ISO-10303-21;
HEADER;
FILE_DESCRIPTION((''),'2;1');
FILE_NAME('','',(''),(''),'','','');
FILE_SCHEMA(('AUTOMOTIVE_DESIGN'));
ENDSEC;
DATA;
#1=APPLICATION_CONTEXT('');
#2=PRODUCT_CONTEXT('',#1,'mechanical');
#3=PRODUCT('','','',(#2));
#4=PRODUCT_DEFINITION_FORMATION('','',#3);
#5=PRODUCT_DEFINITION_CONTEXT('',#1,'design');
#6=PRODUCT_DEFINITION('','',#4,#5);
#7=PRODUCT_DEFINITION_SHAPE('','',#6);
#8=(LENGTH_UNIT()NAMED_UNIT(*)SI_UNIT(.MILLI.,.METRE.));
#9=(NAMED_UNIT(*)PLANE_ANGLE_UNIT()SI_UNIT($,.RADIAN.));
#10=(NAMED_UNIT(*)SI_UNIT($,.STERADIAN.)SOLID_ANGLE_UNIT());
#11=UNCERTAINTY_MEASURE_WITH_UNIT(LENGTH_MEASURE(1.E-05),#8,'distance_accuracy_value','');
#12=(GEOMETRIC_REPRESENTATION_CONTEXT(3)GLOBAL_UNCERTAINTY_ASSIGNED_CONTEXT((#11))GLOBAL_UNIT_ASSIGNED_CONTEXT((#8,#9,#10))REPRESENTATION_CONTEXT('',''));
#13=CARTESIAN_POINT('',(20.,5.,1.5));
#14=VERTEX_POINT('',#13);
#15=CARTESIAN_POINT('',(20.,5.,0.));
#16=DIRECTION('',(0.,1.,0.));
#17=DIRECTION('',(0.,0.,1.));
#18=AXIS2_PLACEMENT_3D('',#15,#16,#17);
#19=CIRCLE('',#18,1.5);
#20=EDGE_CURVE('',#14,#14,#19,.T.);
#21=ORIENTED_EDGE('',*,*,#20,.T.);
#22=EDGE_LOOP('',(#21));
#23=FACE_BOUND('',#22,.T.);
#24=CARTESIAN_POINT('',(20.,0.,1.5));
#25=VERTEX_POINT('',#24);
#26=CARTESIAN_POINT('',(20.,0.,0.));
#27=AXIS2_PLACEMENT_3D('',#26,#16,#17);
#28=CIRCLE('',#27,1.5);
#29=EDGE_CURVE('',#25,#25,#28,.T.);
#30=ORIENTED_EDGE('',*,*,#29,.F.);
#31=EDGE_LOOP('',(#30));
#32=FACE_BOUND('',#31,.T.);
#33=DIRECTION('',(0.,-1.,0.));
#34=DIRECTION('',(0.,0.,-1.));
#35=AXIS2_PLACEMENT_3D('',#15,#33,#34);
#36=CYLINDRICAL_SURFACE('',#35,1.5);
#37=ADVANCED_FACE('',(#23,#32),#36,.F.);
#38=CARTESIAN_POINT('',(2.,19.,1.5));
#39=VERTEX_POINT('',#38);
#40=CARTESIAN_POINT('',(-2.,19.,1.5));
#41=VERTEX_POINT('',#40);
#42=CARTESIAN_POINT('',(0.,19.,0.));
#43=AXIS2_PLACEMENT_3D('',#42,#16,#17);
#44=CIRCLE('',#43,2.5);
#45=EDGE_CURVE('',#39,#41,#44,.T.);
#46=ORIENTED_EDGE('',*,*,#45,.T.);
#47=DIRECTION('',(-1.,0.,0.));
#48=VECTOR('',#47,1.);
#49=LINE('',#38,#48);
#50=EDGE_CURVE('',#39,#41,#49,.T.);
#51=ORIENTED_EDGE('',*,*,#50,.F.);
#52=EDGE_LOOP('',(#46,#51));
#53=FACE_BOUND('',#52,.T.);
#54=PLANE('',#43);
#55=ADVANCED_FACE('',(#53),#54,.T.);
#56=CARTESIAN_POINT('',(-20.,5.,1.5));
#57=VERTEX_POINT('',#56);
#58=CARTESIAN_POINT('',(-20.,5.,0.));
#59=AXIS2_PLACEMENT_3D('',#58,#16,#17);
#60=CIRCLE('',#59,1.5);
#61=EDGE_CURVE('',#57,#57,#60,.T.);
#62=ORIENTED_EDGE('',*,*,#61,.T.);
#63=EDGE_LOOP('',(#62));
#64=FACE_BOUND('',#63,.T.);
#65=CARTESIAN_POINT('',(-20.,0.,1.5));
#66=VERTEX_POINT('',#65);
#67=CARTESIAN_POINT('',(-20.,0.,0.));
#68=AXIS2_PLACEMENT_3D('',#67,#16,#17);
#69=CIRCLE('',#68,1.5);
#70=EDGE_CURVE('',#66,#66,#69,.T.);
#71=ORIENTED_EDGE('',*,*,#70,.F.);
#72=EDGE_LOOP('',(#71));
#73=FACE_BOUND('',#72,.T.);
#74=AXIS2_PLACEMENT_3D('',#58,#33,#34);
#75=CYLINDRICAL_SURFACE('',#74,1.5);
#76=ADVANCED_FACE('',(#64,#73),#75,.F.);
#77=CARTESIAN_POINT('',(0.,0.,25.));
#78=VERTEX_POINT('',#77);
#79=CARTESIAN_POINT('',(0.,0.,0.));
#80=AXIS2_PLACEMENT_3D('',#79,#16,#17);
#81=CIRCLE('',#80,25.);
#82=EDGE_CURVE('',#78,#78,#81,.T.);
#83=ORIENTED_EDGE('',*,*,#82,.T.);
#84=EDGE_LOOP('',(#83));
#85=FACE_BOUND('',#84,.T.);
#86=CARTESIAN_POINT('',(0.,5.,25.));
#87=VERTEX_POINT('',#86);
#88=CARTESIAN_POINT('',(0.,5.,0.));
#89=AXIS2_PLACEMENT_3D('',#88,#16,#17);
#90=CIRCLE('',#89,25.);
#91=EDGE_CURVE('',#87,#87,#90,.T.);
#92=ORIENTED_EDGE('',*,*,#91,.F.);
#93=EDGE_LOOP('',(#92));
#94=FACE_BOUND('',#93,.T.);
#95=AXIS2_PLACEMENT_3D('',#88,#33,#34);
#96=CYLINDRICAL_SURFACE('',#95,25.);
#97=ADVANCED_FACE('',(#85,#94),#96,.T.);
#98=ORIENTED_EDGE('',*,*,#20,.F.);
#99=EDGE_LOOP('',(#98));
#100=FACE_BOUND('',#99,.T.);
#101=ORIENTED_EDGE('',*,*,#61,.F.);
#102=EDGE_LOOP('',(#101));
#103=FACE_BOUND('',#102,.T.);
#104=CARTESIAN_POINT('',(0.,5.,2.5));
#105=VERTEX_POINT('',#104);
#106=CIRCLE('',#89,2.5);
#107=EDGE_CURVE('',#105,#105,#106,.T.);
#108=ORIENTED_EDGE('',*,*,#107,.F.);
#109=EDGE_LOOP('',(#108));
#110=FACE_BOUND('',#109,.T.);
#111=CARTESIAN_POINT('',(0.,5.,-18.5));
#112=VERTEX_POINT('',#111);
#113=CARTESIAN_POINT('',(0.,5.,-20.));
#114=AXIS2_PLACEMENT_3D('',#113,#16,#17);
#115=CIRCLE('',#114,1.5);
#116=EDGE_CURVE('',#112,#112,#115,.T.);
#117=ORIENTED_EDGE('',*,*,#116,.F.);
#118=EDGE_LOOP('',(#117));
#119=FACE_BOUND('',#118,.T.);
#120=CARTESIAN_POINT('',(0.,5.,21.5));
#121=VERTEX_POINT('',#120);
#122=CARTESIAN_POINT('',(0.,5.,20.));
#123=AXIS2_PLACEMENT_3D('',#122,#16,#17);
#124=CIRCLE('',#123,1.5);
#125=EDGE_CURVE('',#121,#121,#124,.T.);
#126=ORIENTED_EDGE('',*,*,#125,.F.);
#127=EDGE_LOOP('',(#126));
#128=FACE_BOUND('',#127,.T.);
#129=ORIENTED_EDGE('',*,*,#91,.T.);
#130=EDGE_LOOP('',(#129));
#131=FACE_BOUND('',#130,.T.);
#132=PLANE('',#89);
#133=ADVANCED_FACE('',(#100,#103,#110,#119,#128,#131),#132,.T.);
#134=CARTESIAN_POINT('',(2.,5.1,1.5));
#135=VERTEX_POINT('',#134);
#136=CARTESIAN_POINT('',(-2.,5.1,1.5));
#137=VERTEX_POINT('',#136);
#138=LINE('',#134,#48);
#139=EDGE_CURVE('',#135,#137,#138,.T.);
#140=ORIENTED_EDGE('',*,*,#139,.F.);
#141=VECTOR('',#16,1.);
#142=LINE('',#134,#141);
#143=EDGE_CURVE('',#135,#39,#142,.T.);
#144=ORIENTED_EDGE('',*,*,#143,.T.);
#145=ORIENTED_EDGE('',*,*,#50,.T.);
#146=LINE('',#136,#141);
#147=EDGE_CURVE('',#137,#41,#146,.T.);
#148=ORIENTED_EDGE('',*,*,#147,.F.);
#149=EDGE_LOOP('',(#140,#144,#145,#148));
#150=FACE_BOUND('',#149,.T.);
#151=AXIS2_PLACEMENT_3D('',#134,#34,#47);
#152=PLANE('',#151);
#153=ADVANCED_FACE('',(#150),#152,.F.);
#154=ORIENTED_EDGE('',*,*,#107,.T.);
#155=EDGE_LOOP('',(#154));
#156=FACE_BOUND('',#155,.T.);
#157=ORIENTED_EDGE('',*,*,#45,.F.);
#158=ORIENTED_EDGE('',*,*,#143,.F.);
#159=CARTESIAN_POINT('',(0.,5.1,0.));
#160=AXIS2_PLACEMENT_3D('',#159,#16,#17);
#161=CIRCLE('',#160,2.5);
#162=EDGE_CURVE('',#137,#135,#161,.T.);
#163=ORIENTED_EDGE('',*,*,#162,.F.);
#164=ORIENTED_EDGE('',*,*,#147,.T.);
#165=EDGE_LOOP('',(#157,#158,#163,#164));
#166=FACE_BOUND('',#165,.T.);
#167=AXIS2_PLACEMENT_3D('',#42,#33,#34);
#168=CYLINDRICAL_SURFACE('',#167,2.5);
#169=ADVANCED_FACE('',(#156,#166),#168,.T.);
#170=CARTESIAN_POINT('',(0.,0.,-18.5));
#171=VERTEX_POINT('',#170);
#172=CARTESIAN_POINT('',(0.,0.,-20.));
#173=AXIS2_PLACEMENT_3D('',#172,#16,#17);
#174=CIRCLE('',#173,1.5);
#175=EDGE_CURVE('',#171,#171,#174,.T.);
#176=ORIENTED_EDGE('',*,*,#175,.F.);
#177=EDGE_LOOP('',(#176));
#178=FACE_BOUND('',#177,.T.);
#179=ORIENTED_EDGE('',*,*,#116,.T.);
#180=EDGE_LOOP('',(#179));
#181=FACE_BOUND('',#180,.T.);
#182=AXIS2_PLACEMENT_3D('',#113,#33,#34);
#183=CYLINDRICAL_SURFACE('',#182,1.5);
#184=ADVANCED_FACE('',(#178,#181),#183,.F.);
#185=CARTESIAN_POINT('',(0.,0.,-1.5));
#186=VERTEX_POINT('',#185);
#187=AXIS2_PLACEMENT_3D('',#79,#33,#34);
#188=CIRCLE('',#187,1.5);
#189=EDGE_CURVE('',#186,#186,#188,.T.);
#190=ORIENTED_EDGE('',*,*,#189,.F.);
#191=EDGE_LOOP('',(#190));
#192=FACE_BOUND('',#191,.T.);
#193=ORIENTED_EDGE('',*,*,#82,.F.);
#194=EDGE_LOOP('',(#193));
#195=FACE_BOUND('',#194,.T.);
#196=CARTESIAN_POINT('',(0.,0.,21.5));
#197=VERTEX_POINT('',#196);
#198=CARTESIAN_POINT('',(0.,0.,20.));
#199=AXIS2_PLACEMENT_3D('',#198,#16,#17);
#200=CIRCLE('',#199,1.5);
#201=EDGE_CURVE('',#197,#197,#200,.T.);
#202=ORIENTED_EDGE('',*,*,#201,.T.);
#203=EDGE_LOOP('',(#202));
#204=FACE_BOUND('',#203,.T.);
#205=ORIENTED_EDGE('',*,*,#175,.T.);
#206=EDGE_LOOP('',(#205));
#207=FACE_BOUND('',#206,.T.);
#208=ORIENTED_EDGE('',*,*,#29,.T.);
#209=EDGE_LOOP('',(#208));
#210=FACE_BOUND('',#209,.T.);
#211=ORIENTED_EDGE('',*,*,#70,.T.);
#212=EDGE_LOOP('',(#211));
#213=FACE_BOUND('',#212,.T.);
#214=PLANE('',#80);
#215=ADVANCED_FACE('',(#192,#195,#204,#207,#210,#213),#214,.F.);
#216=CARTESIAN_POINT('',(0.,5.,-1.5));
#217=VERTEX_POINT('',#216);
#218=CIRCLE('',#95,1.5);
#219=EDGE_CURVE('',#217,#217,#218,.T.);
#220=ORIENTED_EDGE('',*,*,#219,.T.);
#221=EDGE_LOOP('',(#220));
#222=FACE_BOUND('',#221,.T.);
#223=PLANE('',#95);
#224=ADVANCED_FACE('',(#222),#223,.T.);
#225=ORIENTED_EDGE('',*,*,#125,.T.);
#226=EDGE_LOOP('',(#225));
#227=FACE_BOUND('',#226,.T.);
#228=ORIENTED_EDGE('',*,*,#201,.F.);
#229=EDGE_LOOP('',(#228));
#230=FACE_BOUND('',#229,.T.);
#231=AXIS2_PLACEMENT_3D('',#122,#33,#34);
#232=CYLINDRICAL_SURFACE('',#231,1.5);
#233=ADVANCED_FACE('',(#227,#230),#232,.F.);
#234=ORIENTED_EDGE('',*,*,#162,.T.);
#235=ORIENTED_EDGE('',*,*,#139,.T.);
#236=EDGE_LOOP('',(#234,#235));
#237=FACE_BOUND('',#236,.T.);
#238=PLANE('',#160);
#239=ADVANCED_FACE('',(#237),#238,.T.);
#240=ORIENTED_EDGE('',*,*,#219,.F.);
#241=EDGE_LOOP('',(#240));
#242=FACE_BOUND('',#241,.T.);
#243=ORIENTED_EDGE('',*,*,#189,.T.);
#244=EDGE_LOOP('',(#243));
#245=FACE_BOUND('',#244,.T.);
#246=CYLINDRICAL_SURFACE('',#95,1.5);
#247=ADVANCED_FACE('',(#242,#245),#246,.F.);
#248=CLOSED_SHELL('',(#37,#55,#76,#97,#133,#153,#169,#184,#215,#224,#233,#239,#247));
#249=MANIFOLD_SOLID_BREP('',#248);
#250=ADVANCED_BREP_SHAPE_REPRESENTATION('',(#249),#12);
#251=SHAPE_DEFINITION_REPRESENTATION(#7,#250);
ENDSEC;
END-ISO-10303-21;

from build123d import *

# Parameters (mm, degrees)
SKETCH1_R           = 25
SKETCH1_R_2         = 1.5
BOSS_EXTRUDE1_DEPTH = 5
SKETCH2_R           = 2.5
BOSS_EXTRUDE2_DEPTH = 14
SKETCH3_R           = 1.5
CUT_EXTRUDE1_DEPTH  = 5
CUT_EXTRUDE3_START  = -13.9
CUT_EXTRUDE3_DEPTH  = 13.9


with BuildPart() as part:
    # Sketch1 → Boss-Extrude1 (new body)
    with BuildSketch(Plane(origin=(0, 0, 0), x_dir=(1, 0, 0), z_dir=(0, 1, 0))):
        with Locations(Location((0, 0, 0), (0, 0, 270))):
            Circle(SKETCH1_R)
        with Locations(Location((0, -20, 0), (0, 0, 270))):
            Circle(SKETCH1_R_2, mode=Mode.SUBTRACT)
        with Locations(Location((-20, 0, 0), (0, 0, 270))):
            Circle(SKETCH1_R_2, mode=Mode.SUBTRACT)
        with Locations(Location((0, 20, 0), (0, 0, 270))):
            Circle(SKETCH1_R_2, mode=Mode.SUBTRACT)
        with Locations(Location((20, 0, 0), (0, 0, 270))):
            Circle(SKETCH1_R_2, mode=Mode.SUBTRACT)
    extrude(amount=BOSS_EXTRUDE1_DEPTH)

    # Sketch2 → Boss-Extrude2 (add)
    with BuildSketch(Plane(origin=(0, 5, 0), x_dir=(1, 0, 0), z_dir=(0, 1, 0))):
        with Locations(Location((0, 0, 0), (0, 0, 270))):
            Circle(SKETCH2_R)
    extrude(amount=BOSS_EXTRUDE2_DEPTH)

    # Sketch3 → Cut-Extrude1 (cut)
    with BuildSketch(Plane.XZ):
        with Locations(Location((0, 0, 0), (0, 0, 270))):
            Circle(SKETCH3_R)
    extrude(amount=-CUT_EXTRUDE1_DEPTH, mode=Mode.SUBTRACT)

    # Sketch4 → Cut-Extrude3 (cut)
    with BuildSketch(Plane(origin=(0, 19, 0), x_dir=(1, 0, 0), z_dir=(0, 1, 0)).offset(CUT_EXTRUDE3_START)):
        with BuildLine():
            Line((2, -1.5), (-2, -1.5))
            ThreePointArc((-2, -1.5), (0, -2.5), (2, -1.5))
        make_face()
    extrude(amount=CUT_EXTRUDE3_DEPTH, mode=Mode.SUBTRACT)


solid = part.part
